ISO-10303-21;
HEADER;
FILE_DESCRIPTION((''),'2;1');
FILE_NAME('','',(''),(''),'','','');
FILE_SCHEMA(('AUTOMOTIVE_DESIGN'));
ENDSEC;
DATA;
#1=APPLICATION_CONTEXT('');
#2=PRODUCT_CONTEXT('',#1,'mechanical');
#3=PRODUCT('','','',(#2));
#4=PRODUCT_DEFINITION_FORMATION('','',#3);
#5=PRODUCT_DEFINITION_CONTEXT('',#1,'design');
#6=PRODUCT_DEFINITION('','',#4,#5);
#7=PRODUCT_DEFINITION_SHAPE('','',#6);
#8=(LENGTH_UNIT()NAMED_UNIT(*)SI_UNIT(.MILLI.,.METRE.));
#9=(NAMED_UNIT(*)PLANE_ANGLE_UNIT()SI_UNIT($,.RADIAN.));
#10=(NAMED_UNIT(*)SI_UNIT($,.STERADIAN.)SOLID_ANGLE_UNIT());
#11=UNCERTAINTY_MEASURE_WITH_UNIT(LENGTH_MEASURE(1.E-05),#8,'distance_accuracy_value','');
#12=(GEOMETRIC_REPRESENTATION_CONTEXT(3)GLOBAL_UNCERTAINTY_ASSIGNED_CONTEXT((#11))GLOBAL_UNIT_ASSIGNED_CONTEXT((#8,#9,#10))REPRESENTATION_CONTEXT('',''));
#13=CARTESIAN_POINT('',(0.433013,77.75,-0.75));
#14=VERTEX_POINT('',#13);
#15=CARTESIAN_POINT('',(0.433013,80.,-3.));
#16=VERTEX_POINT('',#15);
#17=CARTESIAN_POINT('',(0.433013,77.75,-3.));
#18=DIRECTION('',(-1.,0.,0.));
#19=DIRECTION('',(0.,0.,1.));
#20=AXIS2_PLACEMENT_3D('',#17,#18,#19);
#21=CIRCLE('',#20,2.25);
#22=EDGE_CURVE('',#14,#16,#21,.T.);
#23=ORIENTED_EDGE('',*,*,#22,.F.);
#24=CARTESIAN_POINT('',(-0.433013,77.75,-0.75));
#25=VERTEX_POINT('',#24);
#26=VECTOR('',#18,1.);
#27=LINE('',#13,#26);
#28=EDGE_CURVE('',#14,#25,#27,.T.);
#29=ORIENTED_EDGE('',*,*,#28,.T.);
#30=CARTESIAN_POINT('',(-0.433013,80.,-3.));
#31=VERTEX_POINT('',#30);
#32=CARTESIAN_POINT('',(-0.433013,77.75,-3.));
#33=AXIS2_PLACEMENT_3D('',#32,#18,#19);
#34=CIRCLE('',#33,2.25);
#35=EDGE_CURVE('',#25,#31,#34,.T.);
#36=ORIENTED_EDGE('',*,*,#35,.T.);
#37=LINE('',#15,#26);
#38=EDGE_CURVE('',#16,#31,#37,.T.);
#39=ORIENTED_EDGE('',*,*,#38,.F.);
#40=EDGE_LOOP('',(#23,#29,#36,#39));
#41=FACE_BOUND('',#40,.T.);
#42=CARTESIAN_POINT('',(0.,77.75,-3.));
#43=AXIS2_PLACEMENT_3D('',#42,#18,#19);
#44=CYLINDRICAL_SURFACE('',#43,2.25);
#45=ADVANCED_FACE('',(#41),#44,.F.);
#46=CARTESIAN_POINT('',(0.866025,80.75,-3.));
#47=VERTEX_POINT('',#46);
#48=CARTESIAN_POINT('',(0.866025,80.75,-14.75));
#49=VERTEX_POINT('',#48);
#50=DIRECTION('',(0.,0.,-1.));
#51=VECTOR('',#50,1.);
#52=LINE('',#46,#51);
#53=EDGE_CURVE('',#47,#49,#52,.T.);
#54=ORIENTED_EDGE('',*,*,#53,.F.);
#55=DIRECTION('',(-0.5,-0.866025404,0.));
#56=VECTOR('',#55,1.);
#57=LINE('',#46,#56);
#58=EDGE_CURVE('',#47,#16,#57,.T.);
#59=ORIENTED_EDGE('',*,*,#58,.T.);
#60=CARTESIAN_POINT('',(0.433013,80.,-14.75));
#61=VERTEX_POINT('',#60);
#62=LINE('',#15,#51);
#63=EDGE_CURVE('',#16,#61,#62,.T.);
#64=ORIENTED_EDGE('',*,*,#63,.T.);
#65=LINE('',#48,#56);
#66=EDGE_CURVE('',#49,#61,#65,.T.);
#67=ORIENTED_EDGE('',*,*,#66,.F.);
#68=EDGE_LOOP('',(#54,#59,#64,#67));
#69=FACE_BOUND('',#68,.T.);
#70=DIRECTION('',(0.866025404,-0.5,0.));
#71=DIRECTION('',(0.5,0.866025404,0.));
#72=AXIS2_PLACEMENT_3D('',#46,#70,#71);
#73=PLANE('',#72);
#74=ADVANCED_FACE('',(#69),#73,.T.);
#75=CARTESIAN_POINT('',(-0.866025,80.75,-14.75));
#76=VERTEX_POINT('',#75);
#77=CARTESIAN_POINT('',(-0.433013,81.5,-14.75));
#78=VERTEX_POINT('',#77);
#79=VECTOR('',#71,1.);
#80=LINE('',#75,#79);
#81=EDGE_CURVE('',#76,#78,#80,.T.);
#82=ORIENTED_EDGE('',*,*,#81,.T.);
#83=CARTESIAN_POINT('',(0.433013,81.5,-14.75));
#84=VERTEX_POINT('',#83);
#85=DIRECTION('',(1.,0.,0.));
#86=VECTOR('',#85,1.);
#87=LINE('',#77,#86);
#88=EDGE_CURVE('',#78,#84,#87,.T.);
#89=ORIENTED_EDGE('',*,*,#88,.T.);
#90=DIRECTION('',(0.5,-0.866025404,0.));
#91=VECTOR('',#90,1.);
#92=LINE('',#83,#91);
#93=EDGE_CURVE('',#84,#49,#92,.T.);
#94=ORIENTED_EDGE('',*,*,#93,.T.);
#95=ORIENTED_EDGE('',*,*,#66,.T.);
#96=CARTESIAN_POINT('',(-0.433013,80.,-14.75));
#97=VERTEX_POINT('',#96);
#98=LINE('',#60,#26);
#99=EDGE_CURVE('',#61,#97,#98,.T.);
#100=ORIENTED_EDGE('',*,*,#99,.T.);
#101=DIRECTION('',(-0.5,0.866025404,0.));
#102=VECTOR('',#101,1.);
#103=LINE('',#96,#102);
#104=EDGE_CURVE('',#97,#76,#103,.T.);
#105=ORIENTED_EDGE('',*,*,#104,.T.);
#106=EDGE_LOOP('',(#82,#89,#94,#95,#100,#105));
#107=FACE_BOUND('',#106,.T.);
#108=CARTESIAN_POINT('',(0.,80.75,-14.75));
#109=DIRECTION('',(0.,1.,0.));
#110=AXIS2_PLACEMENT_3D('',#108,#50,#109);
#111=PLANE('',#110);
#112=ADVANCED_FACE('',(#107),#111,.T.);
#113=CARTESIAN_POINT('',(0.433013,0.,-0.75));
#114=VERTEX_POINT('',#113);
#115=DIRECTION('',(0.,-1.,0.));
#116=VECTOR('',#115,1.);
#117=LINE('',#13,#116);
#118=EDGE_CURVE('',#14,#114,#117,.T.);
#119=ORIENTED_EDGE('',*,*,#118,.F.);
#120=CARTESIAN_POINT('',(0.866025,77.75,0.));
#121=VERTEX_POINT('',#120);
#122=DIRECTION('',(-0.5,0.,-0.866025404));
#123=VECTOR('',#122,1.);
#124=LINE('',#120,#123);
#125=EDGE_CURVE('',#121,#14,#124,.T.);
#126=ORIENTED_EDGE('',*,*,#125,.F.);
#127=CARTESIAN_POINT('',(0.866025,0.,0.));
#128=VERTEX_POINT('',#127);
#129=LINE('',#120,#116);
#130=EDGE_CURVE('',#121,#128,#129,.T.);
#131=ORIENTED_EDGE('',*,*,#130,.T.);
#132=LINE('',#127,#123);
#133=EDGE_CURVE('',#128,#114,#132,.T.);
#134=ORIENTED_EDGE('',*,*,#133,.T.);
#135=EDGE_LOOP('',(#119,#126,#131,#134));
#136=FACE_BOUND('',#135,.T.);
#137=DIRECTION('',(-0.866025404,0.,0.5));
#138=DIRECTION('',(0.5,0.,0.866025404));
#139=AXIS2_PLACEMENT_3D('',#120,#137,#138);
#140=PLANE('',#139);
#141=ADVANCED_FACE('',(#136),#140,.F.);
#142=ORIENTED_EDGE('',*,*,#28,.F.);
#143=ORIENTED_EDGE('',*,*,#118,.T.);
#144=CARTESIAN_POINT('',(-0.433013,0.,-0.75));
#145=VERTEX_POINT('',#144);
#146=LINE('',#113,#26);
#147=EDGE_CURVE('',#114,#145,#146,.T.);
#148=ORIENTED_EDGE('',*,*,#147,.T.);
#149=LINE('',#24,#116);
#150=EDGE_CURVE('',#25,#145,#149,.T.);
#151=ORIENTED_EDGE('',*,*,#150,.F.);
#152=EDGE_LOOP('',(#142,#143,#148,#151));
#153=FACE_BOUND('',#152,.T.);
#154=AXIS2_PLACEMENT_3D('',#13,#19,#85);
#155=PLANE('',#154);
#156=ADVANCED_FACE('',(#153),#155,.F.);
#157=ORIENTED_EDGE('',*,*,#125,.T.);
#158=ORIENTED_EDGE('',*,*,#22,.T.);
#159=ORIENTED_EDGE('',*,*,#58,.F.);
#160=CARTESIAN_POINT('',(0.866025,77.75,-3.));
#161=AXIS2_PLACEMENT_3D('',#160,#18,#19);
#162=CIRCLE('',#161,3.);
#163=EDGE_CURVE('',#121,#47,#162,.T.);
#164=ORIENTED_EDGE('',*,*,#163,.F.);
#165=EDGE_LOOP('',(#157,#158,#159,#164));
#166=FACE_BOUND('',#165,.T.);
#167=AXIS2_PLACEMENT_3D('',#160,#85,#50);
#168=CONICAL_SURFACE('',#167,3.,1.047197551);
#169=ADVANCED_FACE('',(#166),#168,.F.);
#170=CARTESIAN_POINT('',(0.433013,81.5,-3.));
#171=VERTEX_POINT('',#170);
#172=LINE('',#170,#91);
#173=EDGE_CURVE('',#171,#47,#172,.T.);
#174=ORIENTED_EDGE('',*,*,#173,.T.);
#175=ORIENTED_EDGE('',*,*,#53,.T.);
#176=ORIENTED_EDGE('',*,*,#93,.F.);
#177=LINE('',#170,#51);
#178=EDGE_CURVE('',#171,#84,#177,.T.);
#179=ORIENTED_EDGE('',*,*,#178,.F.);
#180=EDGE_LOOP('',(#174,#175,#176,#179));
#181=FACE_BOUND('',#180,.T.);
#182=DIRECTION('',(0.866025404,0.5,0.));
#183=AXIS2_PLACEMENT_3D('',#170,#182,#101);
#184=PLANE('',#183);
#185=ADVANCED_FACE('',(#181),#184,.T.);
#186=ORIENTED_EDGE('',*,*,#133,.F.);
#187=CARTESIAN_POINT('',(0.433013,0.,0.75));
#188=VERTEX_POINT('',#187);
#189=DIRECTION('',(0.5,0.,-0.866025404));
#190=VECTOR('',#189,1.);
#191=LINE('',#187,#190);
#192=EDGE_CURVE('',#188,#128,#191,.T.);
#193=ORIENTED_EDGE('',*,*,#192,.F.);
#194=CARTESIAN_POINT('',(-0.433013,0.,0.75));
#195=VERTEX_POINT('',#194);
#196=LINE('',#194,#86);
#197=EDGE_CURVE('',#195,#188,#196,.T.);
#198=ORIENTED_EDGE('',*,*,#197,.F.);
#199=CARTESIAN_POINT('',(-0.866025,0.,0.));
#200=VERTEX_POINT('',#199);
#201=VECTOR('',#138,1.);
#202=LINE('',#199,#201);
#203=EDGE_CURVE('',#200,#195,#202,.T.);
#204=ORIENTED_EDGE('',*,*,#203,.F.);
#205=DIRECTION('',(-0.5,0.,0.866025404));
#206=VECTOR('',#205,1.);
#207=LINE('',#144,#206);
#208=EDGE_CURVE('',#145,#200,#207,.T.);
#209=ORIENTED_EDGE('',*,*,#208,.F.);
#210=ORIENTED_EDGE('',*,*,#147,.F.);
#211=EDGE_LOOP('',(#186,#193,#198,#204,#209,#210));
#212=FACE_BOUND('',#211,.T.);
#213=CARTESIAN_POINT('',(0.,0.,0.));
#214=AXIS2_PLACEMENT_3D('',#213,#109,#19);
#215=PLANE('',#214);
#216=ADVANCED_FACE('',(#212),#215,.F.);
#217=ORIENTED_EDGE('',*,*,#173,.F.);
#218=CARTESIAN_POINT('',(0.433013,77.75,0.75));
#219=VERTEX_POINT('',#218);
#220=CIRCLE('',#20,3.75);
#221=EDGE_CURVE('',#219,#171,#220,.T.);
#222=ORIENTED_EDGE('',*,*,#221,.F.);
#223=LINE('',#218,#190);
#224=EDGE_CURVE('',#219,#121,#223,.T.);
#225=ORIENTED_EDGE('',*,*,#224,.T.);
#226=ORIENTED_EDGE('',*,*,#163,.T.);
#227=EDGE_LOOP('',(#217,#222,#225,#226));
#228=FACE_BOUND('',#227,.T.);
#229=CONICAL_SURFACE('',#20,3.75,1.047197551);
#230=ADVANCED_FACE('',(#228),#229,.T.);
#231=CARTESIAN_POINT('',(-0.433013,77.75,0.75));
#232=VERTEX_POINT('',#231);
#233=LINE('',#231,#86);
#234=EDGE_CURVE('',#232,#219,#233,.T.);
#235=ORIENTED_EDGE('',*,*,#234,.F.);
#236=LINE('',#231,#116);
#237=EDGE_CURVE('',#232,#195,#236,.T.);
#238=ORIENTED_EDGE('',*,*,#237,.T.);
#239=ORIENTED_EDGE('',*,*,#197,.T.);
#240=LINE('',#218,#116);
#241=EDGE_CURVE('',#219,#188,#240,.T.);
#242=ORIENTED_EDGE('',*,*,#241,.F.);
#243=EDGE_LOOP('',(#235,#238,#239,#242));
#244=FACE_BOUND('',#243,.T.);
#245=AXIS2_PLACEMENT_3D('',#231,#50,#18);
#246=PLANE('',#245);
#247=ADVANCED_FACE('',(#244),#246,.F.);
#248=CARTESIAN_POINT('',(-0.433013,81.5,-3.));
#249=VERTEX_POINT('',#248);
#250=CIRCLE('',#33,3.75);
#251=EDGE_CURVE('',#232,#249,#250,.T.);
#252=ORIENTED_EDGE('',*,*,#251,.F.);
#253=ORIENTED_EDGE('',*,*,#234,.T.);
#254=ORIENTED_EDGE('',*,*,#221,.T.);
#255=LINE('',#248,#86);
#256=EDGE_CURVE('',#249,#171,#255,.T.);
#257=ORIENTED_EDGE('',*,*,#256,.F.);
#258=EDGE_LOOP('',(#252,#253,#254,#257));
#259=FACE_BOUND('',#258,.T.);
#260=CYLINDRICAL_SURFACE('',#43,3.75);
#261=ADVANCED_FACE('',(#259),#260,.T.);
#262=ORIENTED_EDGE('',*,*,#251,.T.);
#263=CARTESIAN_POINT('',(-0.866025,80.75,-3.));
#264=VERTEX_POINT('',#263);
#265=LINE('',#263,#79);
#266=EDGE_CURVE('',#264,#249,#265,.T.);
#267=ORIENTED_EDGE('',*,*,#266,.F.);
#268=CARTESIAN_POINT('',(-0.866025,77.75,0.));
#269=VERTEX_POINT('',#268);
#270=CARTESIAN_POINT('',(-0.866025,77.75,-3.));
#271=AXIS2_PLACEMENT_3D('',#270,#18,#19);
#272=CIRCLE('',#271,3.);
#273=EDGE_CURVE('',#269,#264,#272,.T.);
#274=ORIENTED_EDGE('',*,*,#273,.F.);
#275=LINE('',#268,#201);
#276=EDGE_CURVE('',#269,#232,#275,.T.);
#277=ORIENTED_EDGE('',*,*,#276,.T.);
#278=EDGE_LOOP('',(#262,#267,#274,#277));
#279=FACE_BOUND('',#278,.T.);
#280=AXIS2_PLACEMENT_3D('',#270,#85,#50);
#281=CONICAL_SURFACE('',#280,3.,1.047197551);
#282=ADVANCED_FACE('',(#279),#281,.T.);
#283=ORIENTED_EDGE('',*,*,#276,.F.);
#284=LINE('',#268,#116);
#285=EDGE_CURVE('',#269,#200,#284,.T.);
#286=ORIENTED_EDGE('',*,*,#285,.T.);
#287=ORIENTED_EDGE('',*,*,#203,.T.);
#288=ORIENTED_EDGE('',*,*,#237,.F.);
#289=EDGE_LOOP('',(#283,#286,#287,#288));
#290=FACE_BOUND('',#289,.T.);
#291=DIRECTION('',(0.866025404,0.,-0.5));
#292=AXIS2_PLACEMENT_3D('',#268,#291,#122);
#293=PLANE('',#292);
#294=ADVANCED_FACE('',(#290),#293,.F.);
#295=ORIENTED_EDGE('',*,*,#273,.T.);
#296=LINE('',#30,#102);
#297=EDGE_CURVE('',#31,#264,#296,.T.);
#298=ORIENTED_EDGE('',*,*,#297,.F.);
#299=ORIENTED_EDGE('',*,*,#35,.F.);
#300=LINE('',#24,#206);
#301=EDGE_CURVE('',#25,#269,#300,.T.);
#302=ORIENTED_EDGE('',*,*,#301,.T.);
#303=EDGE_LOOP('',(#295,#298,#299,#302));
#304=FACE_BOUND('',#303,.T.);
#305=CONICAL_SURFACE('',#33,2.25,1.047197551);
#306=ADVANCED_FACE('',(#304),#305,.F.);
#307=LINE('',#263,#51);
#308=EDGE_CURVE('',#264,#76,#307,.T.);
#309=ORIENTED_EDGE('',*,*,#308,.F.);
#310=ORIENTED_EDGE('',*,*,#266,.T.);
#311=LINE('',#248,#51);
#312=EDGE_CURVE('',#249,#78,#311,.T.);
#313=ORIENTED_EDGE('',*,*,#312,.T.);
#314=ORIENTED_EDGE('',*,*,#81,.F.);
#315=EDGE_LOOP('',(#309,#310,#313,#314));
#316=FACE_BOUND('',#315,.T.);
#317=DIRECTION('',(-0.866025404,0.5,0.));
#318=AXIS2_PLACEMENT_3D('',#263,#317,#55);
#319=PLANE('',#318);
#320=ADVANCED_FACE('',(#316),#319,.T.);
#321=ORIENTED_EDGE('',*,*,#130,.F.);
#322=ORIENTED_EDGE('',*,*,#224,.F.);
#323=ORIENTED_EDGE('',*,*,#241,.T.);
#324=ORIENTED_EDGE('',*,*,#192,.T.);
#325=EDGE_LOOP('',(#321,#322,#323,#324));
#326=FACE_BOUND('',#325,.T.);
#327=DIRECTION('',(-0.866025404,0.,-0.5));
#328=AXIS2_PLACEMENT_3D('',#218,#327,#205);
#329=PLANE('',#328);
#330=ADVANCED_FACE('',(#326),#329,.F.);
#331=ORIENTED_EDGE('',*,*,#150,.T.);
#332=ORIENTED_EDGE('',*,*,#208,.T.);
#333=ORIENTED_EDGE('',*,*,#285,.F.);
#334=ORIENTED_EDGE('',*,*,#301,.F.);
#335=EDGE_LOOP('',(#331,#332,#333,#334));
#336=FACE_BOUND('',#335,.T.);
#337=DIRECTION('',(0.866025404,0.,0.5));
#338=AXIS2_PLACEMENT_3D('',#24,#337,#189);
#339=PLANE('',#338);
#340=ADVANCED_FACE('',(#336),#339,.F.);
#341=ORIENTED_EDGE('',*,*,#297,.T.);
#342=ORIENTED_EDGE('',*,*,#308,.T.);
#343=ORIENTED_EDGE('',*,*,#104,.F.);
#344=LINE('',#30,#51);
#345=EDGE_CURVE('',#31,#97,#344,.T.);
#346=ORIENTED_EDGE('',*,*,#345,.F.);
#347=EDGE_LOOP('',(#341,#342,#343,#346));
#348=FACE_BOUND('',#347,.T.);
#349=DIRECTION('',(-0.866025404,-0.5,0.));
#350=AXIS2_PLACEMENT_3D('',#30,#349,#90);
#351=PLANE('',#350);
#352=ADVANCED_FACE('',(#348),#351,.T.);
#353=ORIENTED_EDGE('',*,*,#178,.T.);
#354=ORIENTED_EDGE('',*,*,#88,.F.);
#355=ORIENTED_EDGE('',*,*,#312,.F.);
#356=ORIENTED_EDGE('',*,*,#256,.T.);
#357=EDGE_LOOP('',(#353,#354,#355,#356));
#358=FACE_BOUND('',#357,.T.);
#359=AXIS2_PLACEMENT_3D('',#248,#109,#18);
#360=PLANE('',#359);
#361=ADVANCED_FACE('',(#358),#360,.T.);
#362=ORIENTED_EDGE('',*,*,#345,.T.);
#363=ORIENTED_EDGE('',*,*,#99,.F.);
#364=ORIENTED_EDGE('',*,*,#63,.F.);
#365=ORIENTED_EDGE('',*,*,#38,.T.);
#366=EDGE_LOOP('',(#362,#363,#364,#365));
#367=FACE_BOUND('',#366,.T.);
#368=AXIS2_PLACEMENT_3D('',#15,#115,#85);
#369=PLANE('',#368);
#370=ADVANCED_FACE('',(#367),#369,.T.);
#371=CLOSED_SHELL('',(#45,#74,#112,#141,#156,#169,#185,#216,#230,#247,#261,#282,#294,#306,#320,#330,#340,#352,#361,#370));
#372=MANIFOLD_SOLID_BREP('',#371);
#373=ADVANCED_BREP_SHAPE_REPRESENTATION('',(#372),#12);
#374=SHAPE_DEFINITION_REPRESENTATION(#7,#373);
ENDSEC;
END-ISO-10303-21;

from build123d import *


with BuildPart() as part:
    # Sweep1: sweep along a path in Sketch2
    with BuildLine(Plane(origin=(0, 0, 0), x_dir=(0, 0, -1), z_dir=(1, 0, 0))) as sweep1_path:
        Line((0, 0), (0, 77.75))
        ThreePointArc((0, 77.75), (0.878679656, 79.871320344), (3, 80.75))
        Line((3, 80.75), (14.75, 80.75))
    # Sketch1 → Sweep1 (sweep)
    with BuildSketch(Plane(origin=(0, 0, 0), x_dir=(1, 0, 0), z_dir=(0, 1, 0))):
        Polygon((0.866025404, 0), (0.433012702, 0.75), (-0.433012702, 0.75), (-0.866025404, 0), (-0.433012702, -0.75), (0.433012702, -0.75), align=None)
    sweep(path=sweep1_path.line)


solid = part.part
